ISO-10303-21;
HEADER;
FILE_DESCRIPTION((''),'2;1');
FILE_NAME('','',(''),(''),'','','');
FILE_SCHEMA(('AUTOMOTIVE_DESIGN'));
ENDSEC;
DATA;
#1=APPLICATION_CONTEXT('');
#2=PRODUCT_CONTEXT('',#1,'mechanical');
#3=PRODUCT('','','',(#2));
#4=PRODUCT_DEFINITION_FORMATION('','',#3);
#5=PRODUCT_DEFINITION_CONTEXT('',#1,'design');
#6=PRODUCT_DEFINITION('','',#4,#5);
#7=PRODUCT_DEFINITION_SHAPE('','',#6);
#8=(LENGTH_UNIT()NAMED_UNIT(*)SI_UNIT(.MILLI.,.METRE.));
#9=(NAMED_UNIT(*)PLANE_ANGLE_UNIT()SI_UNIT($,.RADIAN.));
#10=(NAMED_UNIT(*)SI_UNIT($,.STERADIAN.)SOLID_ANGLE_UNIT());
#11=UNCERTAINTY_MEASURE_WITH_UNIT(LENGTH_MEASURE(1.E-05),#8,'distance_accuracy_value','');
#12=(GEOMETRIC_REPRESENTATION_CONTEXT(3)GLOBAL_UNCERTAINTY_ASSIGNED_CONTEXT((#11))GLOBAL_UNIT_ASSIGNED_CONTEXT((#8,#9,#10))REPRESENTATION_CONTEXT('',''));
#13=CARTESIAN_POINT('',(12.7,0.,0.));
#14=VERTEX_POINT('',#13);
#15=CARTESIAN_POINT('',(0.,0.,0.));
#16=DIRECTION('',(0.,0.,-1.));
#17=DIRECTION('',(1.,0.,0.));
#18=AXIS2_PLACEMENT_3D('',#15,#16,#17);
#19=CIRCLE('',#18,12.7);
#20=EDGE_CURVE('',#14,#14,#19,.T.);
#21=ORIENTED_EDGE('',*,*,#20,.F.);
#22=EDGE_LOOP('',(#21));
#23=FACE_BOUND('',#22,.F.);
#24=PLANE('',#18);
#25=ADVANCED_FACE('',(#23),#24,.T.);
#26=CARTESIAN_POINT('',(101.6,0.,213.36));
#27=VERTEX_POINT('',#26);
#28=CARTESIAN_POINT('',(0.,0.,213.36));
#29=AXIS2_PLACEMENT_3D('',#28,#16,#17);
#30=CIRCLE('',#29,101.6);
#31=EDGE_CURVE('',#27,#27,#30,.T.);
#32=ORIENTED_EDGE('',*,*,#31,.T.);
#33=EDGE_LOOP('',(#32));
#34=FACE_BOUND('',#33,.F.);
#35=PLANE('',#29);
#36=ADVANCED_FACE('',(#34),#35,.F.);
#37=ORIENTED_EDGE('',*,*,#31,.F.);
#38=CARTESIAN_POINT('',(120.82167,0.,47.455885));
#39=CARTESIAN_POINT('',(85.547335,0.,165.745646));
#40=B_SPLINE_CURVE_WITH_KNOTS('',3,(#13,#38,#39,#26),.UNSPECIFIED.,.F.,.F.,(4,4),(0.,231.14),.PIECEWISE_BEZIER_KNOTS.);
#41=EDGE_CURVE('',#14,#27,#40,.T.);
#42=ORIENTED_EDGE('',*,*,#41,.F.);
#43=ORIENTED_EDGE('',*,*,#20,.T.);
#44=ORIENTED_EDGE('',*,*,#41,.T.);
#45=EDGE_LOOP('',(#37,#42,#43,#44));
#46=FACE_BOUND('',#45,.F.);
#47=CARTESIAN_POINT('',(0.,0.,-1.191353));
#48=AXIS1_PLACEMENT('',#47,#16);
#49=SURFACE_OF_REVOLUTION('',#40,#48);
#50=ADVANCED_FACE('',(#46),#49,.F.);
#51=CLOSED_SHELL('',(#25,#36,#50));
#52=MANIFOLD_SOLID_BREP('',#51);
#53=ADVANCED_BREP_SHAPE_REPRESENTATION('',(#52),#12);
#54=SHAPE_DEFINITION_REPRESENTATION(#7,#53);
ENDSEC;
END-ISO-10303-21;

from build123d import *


with BuildPart() as f1:
    # F0 (on Front) → F1 (revolve)
    with BuildSketch(Plane.XZ):
        with BuildLine():
            Line((0, 213.36), (0, 0))
            Line((0, 0), (12.7, 0))
            add(Edge.make_bspline(
                [(12.7, 0), (120.82167, 47.455885), (85.547335, 165.745646), (101.6, 213.36)],
                knots=[0, 0, 0, 0, 231.14, 231.14, 231.14, 231.14], degree=3))
            Line((101.6, 213.36), (0, 213.36))
        make_face()
    revolve(axis=Axis((0, 0, -1.191353), (0, 0, -1)))


solid = f1.part
